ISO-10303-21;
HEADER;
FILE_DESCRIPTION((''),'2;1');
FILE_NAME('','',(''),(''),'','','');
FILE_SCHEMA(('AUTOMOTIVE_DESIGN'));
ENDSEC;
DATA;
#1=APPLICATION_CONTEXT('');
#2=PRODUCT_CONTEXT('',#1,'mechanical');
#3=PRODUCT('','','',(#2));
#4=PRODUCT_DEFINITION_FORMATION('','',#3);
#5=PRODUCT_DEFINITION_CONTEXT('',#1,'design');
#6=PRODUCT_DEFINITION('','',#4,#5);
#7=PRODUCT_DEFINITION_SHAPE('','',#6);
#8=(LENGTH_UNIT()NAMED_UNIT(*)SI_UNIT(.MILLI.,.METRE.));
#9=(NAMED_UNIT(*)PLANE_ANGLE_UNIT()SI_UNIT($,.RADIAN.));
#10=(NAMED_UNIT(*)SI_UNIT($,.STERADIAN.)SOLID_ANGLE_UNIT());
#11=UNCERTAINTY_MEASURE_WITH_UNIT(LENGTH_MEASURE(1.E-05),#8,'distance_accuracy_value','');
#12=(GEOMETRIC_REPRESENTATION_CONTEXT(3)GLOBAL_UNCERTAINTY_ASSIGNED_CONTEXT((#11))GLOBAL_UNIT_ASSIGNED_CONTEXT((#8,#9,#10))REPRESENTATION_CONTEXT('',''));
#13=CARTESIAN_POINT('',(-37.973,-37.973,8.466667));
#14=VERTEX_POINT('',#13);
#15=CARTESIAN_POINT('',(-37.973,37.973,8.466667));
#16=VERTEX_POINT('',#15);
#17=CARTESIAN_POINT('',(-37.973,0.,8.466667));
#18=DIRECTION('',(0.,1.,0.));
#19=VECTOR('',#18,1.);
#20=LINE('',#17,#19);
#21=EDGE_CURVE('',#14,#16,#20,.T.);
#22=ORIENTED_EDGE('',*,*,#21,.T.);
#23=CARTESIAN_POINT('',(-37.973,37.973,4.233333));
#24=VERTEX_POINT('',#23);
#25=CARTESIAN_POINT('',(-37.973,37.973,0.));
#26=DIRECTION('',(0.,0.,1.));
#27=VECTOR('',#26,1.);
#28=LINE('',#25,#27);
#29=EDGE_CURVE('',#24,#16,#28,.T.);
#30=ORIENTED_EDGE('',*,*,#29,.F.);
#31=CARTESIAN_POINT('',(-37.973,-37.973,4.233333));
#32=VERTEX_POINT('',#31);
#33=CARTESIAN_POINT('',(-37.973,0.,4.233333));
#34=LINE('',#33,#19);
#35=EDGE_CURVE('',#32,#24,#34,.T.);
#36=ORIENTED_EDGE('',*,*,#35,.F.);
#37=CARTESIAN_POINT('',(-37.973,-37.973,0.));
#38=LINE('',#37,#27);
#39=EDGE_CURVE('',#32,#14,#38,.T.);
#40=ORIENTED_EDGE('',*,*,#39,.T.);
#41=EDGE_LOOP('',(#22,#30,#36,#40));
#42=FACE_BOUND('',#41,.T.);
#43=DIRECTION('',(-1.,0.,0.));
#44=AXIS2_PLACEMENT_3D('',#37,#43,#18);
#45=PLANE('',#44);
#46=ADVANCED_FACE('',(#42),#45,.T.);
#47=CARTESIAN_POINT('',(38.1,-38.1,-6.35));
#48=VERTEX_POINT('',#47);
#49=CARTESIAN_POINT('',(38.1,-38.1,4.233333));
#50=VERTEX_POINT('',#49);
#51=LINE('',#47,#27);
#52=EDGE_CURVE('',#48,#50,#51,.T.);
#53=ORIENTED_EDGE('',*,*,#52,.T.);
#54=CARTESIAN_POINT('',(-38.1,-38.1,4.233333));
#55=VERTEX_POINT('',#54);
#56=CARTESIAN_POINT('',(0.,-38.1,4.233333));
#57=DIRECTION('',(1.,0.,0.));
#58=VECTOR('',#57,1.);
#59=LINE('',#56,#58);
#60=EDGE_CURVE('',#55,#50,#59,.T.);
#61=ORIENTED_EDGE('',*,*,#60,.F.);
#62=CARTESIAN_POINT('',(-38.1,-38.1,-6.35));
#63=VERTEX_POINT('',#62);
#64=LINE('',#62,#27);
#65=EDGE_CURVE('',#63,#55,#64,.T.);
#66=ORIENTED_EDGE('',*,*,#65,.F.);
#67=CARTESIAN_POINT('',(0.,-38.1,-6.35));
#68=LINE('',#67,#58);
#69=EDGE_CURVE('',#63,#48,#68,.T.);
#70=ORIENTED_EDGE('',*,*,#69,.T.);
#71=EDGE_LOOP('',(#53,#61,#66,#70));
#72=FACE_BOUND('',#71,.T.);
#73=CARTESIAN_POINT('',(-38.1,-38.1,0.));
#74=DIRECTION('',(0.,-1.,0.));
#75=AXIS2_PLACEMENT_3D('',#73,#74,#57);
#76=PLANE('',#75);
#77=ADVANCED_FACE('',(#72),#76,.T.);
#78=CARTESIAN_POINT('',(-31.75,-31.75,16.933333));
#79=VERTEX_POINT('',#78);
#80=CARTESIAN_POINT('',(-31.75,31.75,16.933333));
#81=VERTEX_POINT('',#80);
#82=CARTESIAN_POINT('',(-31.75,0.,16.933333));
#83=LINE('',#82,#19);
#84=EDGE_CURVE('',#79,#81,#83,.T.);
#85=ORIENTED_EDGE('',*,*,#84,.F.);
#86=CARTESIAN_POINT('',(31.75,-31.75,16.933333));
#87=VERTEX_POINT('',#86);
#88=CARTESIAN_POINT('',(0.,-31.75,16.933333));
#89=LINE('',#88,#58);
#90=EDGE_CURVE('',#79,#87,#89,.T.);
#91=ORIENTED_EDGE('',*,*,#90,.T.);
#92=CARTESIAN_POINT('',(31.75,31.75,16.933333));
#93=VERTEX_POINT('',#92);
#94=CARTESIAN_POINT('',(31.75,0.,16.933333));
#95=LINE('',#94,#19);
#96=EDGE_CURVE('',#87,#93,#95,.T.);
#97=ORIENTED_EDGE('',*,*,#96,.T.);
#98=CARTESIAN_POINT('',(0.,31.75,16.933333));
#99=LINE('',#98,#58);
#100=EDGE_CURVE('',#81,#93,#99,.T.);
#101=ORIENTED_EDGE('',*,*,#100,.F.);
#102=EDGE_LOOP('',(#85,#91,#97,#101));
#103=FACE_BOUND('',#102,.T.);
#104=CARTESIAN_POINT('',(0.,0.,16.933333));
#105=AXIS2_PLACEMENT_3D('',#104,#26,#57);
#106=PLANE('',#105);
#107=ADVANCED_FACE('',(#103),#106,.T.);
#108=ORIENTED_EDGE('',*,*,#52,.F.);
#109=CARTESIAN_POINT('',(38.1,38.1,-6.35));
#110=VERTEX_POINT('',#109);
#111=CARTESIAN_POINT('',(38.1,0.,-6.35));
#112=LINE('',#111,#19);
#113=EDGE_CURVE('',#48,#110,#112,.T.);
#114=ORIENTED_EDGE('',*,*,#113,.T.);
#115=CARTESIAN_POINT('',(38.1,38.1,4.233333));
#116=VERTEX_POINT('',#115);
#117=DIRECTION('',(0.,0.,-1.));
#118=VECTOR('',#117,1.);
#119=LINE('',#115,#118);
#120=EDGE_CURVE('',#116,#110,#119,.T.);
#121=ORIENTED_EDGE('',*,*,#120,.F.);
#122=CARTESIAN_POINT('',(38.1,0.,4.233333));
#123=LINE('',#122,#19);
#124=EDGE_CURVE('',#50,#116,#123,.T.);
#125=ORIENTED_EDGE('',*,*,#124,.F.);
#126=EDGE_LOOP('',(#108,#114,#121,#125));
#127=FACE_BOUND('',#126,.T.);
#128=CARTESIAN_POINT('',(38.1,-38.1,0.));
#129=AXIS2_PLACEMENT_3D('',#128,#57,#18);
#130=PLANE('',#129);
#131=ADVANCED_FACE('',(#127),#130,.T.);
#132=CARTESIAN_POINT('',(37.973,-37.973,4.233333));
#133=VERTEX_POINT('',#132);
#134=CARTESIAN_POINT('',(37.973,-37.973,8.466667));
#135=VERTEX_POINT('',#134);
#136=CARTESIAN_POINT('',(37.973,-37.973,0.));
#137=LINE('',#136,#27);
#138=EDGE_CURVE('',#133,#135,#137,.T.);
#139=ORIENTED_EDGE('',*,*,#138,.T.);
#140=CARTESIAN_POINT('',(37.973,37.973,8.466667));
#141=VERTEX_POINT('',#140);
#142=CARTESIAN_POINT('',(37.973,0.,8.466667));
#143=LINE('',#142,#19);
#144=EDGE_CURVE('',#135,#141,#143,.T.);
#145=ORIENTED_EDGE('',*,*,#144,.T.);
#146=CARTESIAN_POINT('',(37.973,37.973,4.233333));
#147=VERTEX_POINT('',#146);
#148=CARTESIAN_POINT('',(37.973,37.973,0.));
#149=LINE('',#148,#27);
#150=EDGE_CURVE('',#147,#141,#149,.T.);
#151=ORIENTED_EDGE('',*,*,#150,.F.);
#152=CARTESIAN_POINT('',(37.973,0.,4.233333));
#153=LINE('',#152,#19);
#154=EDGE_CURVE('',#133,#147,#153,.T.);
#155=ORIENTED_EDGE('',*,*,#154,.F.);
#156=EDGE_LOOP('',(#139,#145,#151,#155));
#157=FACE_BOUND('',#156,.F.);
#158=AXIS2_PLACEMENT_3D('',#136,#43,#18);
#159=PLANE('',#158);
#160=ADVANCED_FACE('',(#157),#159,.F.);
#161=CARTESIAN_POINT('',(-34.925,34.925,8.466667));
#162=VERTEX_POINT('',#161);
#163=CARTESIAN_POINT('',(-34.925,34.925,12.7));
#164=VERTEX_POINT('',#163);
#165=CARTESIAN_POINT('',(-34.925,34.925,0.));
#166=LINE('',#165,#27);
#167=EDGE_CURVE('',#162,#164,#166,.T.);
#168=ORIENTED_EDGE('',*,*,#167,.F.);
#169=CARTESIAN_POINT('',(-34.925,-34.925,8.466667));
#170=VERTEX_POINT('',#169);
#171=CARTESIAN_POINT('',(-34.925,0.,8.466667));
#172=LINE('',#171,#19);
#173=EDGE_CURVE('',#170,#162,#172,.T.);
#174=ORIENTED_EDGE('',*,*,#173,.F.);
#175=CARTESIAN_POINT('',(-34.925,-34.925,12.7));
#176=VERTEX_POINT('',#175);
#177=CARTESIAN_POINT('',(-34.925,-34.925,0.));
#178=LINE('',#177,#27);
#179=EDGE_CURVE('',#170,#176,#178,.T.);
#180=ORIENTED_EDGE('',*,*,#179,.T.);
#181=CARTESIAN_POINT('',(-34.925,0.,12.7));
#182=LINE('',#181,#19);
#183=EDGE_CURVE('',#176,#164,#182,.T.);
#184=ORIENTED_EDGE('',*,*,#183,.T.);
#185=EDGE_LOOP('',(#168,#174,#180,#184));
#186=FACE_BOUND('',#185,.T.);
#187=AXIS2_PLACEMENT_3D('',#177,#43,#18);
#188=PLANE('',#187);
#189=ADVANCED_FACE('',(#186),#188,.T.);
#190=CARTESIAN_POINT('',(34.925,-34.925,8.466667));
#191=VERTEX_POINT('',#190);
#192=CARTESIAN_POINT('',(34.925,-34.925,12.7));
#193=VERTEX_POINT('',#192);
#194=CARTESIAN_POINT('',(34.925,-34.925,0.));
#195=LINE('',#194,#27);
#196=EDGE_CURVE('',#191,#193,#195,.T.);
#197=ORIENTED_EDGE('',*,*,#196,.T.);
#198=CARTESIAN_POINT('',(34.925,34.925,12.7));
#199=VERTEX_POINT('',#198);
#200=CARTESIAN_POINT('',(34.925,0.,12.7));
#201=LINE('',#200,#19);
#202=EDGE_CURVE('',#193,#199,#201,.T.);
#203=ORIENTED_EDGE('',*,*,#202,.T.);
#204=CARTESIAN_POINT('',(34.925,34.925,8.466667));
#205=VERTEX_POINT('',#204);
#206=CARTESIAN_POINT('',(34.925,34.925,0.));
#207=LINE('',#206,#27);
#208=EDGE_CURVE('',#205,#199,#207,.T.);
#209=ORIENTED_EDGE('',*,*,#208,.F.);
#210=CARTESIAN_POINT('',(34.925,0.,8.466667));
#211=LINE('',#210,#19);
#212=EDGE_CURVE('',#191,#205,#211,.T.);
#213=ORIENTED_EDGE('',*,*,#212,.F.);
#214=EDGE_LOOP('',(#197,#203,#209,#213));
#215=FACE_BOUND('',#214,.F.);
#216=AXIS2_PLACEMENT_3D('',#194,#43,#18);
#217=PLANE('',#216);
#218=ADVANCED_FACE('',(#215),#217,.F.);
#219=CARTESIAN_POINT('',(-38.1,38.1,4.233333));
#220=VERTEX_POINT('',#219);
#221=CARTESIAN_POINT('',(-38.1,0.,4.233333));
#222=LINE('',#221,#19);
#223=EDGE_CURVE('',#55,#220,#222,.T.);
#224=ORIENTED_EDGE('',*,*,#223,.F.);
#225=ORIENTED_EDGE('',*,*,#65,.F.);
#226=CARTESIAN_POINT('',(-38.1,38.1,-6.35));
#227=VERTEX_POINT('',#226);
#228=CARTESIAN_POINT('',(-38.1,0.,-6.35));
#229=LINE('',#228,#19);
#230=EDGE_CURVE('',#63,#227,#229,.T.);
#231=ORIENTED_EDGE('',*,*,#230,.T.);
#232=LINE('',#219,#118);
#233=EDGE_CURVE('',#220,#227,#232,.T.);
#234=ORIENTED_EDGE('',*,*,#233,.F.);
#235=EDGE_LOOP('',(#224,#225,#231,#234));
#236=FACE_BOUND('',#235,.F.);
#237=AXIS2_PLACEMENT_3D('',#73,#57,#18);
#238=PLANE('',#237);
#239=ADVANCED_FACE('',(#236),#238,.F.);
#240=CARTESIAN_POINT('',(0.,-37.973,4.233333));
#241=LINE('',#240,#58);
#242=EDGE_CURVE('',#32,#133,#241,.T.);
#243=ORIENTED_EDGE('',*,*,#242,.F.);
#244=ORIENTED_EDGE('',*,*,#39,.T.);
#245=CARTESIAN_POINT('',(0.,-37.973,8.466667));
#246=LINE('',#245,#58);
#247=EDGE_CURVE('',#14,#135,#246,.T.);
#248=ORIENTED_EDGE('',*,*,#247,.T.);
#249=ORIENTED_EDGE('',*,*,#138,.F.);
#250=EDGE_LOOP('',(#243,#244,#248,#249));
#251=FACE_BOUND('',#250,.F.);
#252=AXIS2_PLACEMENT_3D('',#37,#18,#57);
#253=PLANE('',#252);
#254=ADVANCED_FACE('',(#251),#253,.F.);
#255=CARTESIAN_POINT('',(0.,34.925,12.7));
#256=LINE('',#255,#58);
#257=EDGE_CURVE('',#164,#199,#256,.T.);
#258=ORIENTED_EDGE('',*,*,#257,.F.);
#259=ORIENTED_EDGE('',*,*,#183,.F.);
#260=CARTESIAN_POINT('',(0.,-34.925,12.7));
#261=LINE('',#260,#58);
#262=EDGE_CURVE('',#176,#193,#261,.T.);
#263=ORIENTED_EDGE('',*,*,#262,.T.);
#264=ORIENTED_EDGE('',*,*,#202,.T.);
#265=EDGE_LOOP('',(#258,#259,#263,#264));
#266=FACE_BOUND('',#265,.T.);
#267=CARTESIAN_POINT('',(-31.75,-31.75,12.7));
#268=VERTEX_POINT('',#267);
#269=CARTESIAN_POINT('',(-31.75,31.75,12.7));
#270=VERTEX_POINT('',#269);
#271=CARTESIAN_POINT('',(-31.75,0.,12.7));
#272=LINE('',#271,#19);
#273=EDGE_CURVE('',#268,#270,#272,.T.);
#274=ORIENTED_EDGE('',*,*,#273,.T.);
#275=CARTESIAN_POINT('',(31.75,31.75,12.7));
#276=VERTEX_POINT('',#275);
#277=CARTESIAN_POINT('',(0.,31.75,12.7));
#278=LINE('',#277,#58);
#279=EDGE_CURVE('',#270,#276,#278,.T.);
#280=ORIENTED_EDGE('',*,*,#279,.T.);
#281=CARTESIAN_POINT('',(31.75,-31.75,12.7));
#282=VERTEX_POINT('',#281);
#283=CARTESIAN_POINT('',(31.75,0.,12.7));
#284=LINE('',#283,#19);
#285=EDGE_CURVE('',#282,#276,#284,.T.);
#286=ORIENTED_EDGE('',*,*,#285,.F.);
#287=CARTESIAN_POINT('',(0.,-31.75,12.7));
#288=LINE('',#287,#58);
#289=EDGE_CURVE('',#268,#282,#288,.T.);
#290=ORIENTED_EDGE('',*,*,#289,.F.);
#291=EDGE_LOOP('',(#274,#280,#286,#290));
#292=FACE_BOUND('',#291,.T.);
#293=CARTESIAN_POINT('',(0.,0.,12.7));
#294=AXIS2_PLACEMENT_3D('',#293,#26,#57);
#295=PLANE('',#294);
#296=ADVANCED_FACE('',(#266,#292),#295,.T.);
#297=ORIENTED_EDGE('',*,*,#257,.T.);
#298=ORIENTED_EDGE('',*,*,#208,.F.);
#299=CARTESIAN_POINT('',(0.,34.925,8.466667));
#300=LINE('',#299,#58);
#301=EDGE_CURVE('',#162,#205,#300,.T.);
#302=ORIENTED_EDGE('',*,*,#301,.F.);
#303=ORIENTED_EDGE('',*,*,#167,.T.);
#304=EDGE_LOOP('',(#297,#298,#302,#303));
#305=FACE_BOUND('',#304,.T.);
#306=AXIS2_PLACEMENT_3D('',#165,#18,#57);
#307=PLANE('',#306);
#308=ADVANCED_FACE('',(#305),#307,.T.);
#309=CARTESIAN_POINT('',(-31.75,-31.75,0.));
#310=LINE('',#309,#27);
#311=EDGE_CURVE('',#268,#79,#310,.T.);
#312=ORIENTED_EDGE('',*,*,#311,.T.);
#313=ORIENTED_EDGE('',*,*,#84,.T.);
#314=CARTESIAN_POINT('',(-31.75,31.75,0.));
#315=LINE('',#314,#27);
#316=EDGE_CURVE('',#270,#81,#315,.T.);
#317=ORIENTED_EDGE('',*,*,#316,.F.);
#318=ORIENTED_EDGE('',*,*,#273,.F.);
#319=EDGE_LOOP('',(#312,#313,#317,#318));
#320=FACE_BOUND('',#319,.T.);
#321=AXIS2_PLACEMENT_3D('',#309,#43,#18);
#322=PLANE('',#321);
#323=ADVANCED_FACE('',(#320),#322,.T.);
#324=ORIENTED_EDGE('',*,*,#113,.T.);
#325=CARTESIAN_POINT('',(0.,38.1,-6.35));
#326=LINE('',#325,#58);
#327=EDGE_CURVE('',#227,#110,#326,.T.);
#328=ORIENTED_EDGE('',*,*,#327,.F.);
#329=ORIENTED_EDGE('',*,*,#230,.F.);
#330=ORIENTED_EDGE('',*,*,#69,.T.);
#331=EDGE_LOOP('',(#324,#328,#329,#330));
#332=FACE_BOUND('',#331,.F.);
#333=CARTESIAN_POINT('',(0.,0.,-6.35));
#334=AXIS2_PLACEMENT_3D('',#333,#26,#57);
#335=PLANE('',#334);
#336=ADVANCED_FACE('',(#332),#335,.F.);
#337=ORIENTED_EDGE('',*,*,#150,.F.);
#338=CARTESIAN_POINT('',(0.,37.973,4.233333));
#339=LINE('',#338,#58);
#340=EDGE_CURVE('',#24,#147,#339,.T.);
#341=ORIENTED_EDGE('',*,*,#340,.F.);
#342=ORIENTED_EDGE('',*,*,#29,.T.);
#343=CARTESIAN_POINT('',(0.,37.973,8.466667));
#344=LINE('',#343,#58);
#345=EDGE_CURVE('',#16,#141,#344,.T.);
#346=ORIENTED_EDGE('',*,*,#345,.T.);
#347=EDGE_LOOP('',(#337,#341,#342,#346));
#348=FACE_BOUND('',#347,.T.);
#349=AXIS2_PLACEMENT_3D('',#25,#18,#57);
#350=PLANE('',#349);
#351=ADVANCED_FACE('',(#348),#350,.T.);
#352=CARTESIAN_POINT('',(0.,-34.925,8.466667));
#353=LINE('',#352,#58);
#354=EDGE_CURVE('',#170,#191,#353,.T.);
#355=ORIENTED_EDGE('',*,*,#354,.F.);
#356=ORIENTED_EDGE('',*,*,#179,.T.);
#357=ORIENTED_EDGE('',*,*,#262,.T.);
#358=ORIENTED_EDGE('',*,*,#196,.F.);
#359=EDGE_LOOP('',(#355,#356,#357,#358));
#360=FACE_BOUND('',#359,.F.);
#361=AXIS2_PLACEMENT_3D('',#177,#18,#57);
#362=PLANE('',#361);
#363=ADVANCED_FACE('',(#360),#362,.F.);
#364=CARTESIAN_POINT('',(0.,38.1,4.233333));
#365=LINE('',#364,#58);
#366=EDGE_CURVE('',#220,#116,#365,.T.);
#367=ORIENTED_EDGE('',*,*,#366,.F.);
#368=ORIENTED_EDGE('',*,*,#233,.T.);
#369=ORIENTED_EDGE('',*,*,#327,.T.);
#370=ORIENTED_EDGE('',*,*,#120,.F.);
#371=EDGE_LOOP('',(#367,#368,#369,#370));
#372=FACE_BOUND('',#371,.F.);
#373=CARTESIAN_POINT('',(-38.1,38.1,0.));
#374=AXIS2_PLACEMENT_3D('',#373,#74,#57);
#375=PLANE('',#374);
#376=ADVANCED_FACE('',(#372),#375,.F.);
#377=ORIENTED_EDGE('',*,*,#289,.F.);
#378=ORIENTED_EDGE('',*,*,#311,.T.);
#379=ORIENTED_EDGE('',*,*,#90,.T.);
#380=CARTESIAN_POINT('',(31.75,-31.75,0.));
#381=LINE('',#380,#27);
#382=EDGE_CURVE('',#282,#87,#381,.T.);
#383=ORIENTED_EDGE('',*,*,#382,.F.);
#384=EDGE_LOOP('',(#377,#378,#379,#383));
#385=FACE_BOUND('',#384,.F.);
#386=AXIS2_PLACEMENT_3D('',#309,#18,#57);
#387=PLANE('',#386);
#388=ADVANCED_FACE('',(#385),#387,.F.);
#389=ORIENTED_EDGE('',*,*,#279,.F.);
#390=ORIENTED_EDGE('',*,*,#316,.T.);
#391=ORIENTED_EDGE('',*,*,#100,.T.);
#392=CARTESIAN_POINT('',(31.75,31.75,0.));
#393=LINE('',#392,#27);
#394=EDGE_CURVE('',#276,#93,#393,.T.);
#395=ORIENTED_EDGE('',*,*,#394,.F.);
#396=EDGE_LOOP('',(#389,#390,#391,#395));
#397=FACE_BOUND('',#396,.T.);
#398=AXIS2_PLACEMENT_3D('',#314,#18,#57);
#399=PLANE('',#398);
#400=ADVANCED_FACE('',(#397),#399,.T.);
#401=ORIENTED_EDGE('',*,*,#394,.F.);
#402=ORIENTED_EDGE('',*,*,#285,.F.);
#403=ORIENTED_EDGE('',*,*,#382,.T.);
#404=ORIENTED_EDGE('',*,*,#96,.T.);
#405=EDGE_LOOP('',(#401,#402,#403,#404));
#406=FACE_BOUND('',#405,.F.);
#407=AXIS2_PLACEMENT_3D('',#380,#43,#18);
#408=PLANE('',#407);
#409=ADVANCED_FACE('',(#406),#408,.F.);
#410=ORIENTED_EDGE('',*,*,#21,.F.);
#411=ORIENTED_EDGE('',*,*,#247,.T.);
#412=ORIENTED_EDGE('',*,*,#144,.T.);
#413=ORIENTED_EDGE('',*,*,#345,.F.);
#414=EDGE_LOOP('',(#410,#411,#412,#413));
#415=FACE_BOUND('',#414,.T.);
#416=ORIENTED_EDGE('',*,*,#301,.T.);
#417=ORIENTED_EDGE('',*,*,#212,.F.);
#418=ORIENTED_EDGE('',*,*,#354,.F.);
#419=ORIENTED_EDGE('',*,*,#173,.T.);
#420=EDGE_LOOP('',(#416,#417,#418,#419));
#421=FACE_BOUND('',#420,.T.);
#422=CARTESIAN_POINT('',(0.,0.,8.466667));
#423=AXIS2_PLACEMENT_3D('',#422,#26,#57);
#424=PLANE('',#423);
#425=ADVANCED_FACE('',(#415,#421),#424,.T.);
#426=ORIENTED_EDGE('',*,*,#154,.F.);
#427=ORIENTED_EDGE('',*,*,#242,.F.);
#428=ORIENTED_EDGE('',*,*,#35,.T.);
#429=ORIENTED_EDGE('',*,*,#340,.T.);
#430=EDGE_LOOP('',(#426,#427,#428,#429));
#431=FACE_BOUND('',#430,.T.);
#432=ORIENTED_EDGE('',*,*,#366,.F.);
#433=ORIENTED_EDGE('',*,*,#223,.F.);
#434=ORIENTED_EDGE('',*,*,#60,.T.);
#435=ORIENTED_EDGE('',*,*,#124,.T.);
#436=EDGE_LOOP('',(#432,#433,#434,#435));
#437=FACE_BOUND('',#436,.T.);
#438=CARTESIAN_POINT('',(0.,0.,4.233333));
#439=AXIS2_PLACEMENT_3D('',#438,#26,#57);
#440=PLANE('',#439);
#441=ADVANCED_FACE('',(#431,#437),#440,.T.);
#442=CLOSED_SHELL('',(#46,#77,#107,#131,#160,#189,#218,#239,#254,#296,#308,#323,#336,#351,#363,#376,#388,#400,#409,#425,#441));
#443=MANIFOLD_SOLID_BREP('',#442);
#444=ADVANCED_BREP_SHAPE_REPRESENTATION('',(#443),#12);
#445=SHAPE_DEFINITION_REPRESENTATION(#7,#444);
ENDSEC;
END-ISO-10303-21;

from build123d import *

# Parameters (mm, degrees)
F0_W     = 63.5
F0_H     = 63.5
F0_W_2   = 57.15
F0_H_2   = 57.15
F0_W_3   = 50.8
F0_H_3   = 50.8
F1_DEPTH = 16.9333333333
F0_W_4   = 69.85
F0_H_4   = 69.85
F2_DEPTH = 12.7
F0_W_5   = 75.946
F0_H_5   = 75.946
F3_DEPTH = 8.4666666667
F0_W_6   = 76.2
F0_H_6   = 76.2
F4_DEPTH = 4.2333333333
F5_DEPTH = 6.35


with BuildPart() as f1:
    # F0 (on Top) → F1 (new body)
    with BuildSketch(Plane.XY):
        Rectangle(F0_W, F0_H)
        Rectangle(F0_W_2, F0_H_2, mode=Mode.SUBTRACT)
        Rectangle(F0_W_2, F0_H_2)
        Rectangle(F0_W_3, F0_H_3, mode=Mode.SUBTRACT)
        Rectangle(F0_W_3, F0_H_3)
    extrude(amount=F1_DEPTH)

    # F0 (on Top) → F2 (join)
    with BuildSketch(Plane.XY):
        Rectangle(F0_W_4, F0_H_4)
        Rectangle(F0_W, F0_H, mode=Mode.SUBTRACT)
    extrude(amount=F2_DEPTH)

    # F0 (on Top) → F3 (join)
    with BuildSketch(Plane.XY):
        Rectangle(F0_W_5, F0_H_5)
        Rectangle(F0_W_4, F0_H_4, mode=Mode.SUBTRACT)
    extrude(amount=F3_DEPTH)

    # F0 (on Top) → F4 (join)
    with BuildSketch(Plane.XY):
        Rectangle(F0_W_6, F0_H_6)
        Rectangle(F0_W_5, F0_H_5, mode=Mode.SUBTRACT)
    extrude(amount=F4_DEPTH)

    # F5 (add): a face of the model
    f5_faces = [f1.faces().sort_by_distance(p)[0] for p in [
        (0, 0, 0),
    ]]
    extrude(f5_faces, amount=F5_DEPTH)


solid = f1.part
